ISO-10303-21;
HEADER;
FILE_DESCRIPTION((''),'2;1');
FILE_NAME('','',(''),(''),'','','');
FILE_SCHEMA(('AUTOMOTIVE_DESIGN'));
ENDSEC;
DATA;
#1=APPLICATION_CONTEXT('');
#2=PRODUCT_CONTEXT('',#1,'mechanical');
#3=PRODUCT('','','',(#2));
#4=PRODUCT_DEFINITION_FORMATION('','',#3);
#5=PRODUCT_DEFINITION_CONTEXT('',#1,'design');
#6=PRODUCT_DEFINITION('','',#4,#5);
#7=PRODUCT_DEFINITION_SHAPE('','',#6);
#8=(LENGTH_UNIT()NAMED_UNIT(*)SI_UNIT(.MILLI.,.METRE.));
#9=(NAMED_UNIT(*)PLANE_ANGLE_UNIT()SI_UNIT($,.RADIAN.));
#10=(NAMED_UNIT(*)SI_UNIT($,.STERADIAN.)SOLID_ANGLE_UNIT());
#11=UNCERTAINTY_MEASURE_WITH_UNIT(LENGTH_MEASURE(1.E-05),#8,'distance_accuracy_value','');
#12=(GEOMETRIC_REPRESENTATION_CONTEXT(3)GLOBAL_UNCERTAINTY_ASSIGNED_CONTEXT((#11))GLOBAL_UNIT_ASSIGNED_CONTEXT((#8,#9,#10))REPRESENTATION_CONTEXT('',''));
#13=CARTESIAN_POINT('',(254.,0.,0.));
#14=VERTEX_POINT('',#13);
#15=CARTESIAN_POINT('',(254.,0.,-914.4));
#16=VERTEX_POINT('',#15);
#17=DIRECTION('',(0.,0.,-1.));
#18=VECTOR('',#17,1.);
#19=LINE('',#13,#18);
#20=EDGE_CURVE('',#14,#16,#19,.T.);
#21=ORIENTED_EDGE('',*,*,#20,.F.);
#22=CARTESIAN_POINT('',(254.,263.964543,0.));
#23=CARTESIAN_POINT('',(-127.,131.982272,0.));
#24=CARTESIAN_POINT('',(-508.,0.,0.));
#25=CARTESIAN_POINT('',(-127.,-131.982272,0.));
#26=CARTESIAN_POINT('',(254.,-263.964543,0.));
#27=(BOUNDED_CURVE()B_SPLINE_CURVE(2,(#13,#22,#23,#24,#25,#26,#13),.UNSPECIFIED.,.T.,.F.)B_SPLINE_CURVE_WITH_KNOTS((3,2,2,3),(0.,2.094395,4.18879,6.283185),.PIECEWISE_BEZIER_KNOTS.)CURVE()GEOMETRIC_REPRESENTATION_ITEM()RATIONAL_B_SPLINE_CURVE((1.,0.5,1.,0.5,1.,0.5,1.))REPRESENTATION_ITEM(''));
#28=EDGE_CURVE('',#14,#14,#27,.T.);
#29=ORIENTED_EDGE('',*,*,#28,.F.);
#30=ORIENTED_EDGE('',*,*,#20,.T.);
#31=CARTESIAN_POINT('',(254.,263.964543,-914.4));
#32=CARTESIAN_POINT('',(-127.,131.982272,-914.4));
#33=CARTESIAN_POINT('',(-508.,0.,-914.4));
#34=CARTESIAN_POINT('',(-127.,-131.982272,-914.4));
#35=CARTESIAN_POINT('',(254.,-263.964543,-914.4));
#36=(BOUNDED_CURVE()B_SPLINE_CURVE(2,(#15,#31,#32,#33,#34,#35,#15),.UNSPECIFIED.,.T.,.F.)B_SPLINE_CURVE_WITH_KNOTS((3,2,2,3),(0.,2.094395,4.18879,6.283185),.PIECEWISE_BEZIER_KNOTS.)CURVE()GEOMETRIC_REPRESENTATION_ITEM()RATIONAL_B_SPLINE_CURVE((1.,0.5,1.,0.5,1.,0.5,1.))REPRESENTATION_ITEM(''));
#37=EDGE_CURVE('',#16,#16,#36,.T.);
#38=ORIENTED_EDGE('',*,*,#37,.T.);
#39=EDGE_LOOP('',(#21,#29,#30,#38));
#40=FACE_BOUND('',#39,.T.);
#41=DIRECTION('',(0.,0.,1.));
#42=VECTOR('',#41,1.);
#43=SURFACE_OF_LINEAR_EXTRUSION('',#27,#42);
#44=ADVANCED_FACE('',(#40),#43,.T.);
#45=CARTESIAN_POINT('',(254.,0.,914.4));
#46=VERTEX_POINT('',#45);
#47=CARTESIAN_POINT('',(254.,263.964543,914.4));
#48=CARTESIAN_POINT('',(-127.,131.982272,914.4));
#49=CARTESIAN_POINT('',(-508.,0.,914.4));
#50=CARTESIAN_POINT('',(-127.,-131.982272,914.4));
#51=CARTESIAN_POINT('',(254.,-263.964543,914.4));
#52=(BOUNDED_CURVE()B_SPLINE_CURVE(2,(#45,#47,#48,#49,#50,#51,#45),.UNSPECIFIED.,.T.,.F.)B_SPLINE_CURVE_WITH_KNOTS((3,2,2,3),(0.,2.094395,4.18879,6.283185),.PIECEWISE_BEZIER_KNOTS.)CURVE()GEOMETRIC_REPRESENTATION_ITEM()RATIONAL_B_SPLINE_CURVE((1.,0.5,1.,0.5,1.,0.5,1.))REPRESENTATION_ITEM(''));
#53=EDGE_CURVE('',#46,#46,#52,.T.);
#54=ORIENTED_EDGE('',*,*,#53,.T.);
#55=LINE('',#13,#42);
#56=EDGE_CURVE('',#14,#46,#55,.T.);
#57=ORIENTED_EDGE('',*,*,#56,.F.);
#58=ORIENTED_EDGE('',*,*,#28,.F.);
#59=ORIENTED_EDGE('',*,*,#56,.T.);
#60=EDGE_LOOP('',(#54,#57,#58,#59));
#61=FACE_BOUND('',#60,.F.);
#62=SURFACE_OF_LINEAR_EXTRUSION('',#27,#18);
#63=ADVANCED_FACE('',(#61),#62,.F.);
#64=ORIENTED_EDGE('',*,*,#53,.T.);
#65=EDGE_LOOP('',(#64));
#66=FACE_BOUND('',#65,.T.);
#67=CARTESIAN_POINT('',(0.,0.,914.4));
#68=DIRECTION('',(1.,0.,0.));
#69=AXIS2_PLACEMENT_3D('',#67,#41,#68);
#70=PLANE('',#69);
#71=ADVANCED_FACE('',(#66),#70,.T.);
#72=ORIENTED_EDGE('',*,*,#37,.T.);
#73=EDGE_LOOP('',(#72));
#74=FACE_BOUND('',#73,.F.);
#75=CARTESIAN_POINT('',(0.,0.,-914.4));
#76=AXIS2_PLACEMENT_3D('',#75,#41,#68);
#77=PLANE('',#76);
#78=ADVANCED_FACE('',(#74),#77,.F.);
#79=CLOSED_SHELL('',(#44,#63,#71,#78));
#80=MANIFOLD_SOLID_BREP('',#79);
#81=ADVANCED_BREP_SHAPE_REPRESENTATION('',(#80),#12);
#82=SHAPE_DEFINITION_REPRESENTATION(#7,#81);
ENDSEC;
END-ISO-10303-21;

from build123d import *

# Parameters (mm, degrees)
F1_DEPTH      = 914.4
F1_DEPTH_BACK = 914.4


with BuildPart() as f1:
    # F0 (on Top) → F1 (new body, two sides)
    with BuildSketch(Plane.XY) as f1_sk:
        with BuildLine():
            add(Edge.make_bspline(
                [(254, 0), (254, 263.964543), (-127, 131.982272), (-508, 0), (-127, -131.982272), (254, -263.964543), (254, 0)],
                knots=[0, 0, 0, 2.094395, 2.094395, 4.18879, 4.18879, 6.283185, 6.283185, 6.283185], degree=2, weights=[1, 0.5, 1, 0.5, 1, 0.5, 1]))
        make_face()
    extrude(amount=F1_DEPTH)
    extrude(f1_sk.sketch, amount=-F1_DEPTH_BACK)


solid = f1.part
